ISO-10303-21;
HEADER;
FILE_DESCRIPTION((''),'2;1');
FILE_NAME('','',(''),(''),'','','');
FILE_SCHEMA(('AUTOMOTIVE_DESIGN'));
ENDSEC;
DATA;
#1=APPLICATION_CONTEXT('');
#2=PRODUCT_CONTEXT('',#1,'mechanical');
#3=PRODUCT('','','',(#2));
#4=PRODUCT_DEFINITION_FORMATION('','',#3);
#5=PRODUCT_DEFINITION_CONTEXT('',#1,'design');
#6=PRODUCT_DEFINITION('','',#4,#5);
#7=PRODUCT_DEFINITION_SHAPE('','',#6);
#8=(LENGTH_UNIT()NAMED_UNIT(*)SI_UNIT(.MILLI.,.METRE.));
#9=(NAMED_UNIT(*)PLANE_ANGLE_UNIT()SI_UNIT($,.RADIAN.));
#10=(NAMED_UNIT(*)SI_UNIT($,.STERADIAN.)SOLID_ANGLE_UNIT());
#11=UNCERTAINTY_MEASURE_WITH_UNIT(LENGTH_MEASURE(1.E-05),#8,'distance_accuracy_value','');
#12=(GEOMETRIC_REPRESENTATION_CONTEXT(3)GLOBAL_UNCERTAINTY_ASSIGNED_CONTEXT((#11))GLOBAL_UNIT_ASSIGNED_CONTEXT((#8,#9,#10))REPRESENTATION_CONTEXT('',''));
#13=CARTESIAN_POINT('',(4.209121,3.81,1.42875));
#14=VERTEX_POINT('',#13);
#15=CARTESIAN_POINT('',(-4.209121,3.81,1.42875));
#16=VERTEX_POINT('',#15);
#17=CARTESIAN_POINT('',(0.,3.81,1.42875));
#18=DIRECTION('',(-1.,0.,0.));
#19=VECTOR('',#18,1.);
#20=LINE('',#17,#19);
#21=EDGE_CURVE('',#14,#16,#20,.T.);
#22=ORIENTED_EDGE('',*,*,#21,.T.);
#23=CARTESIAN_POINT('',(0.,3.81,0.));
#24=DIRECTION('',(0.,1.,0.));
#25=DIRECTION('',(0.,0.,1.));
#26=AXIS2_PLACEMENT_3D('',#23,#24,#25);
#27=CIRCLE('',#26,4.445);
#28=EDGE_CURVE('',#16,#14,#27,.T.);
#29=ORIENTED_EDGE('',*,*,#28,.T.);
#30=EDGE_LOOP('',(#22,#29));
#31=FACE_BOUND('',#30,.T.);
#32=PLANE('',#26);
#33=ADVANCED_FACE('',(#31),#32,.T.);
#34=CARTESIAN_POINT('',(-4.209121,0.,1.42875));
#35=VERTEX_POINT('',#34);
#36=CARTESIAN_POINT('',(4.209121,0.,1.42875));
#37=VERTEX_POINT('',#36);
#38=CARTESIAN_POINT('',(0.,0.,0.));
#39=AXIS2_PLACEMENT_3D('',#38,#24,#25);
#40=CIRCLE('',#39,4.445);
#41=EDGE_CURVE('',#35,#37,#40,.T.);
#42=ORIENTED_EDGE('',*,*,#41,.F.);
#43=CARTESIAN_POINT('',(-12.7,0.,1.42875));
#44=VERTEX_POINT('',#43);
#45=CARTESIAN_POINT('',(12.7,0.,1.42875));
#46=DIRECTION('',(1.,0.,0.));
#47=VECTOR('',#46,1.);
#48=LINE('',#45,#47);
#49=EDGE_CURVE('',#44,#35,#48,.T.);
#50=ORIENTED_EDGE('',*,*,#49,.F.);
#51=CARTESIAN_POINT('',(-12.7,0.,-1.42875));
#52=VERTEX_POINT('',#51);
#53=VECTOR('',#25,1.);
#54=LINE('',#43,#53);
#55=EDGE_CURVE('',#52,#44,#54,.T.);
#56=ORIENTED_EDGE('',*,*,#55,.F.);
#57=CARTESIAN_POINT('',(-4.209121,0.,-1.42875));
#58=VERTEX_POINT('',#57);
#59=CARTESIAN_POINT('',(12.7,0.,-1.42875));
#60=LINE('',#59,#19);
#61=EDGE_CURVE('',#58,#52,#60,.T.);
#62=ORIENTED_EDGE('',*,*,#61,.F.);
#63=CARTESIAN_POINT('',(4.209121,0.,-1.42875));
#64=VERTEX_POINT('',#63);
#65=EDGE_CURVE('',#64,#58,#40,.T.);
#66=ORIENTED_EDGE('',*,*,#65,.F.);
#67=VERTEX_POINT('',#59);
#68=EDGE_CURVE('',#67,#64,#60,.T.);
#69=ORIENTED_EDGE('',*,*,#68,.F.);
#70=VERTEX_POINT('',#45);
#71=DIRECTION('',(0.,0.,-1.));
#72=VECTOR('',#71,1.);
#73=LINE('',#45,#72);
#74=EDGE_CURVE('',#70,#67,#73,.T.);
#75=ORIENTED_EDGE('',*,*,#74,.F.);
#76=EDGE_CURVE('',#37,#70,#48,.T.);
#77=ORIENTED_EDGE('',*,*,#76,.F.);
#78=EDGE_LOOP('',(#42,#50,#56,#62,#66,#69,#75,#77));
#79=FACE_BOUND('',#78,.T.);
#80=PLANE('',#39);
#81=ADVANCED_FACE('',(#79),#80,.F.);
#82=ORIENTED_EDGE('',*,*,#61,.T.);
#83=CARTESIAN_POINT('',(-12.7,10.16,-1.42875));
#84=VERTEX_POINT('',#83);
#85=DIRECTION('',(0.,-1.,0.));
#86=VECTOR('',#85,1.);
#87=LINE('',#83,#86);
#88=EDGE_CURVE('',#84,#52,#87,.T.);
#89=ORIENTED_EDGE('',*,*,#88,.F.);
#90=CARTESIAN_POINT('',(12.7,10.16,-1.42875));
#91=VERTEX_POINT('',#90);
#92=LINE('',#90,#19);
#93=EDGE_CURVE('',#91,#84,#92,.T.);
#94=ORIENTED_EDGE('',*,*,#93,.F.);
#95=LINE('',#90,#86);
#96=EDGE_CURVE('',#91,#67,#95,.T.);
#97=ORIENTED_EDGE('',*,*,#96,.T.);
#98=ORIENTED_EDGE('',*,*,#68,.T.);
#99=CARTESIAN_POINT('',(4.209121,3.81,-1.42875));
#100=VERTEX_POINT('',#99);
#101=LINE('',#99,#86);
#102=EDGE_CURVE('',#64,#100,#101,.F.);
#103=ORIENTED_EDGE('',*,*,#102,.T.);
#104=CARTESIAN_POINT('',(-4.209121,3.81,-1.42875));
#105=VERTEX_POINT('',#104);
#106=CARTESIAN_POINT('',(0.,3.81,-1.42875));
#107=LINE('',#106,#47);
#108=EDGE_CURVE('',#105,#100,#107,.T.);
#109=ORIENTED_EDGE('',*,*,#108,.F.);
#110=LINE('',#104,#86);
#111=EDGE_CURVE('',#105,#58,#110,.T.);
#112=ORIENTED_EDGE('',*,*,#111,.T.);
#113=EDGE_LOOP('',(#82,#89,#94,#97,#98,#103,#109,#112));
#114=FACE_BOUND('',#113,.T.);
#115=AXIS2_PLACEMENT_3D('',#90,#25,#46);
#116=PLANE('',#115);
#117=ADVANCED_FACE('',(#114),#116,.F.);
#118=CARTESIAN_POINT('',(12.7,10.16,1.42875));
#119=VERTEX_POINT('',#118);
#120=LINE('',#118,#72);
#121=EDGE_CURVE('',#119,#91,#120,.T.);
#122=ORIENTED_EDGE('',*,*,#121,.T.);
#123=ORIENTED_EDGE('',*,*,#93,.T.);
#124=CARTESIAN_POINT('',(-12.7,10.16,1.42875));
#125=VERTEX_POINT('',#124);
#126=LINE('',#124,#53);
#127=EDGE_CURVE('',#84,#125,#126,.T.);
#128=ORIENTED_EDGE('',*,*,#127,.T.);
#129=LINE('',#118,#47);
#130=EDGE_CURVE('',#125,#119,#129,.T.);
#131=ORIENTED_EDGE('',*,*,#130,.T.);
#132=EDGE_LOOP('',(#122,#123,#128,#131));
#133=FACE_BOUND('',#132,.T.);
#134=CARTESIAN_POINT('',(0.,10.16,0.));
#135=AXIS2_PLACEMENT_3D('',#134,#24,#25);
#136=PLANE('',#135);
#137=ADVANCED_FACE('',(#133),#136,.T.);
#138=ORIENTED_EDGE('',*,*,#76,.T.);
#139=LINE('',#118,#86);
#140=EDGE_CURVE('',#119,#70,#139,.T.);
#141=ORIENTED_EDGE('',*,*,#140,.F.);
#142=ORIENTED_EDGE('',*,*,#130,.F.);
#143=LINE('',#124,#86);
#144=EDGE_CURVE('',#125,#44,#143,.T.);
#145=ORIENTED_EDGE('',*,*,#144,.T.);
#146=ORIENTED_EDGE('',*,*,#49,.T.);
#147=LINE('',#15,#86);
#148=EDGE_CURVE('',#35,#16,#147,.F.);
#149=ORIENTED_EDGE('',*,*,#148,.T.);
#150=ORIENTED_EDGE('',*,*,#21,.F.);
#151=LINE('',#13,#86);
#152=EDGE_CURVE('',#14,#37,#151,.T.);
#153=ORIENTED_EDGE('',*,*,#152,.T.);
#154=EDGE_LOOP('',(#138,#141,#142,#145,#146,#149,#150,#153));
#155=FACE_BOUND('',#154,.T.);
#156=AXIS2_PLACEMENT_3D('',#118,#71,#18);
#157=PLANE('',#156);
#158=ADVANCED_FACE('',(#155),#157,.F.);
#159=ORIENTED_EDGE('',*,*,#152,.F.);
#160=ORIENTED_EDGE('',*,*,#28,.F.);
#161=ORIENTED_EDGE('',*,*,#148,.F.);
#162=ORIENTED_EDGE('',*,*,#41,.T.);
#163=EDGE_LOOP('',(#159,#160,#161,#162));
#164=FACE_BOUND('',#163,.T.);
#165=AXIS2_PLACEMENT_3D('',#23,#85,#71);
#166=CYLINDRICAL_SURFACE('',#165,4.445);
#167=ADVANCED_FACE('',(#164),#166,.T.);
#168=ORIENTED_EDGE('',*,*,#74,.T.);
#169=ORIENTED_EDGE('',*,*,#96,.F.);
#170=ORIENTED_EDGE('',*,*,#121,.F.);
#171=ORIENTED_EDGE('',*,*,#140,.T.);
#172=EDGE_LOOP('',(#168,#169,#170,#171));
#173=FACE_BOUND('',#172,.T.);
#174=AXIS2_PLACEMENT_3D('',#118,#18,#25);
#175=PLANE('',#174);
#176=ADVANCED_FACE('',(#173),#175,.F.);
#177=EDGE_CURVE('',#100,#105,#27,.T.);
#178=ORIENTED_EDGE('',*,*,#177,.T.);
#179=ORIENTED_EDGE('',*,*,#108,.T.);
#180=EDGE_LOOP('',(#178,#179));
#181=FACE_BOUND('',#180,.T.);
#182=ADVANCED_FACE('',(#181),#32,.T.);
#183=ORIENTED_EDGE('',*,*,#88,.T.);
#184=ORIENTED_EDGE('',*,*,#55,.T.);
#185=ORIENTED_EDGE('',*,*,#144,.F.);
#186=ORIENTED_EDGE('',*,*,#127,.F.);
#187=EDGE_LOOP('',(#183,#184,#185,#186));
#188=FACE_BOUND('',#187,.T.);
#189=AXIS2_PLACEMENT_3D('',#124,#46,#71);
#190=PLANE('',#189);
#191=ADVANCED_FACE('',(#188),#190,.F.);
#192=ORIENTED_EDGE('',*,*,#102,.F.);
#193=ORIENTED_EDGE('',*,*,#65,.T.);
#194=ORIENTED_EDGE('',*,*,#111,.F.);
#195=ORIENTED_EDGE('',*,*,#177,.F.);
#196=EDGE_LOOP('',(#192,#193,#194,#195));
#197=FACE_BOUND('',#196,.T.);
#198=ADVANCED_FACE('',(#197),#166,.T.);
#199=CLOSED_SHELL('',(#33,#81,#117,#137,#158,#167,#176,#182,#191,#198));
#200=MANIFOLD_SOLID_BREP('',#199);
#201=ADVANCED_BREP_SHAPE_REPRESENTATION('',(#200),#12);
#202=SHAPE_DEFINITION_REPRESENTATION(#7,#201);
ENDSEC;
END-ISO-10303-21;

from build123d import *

# Parameters (mm, degrees)
SKETCH1_R           = 4.445
BOSS_EXTRUDE1_DEPTH = 3.81
SKETCH2_W           = 25.4
SKETCH2_H           = 2.8575
BOSS_EXTRUDE2_DEPTH = 10.16


with BuildPart() as part:
    # Sketch1 → Boss-Extrude1 (new body)
    with BuildSketch(Plane(origin=(0, 0, 0), x_dir=(1, 0, 0), z_dir=(0, 1, 0))):
        with Locations(Location((0, 0, 0), (0, 0, 90))):
            Circle(SKETCH1_R)
    extrude(amount=BOSS_EXTRUDE1_DEPTH)

    # Sketch2 → Boss-Extrude2 (add)
    with BuildSketch(Plane(origin=(0, 0, 0), x_dir=(1, 0, 0), z_dir=(0, 1, 0))):
        Rectangle(SKETCH2_W, SKETCH2_H)
    extrude(amount=BOSS_EXTRUDE2_DEPTH)


solid = part.part
